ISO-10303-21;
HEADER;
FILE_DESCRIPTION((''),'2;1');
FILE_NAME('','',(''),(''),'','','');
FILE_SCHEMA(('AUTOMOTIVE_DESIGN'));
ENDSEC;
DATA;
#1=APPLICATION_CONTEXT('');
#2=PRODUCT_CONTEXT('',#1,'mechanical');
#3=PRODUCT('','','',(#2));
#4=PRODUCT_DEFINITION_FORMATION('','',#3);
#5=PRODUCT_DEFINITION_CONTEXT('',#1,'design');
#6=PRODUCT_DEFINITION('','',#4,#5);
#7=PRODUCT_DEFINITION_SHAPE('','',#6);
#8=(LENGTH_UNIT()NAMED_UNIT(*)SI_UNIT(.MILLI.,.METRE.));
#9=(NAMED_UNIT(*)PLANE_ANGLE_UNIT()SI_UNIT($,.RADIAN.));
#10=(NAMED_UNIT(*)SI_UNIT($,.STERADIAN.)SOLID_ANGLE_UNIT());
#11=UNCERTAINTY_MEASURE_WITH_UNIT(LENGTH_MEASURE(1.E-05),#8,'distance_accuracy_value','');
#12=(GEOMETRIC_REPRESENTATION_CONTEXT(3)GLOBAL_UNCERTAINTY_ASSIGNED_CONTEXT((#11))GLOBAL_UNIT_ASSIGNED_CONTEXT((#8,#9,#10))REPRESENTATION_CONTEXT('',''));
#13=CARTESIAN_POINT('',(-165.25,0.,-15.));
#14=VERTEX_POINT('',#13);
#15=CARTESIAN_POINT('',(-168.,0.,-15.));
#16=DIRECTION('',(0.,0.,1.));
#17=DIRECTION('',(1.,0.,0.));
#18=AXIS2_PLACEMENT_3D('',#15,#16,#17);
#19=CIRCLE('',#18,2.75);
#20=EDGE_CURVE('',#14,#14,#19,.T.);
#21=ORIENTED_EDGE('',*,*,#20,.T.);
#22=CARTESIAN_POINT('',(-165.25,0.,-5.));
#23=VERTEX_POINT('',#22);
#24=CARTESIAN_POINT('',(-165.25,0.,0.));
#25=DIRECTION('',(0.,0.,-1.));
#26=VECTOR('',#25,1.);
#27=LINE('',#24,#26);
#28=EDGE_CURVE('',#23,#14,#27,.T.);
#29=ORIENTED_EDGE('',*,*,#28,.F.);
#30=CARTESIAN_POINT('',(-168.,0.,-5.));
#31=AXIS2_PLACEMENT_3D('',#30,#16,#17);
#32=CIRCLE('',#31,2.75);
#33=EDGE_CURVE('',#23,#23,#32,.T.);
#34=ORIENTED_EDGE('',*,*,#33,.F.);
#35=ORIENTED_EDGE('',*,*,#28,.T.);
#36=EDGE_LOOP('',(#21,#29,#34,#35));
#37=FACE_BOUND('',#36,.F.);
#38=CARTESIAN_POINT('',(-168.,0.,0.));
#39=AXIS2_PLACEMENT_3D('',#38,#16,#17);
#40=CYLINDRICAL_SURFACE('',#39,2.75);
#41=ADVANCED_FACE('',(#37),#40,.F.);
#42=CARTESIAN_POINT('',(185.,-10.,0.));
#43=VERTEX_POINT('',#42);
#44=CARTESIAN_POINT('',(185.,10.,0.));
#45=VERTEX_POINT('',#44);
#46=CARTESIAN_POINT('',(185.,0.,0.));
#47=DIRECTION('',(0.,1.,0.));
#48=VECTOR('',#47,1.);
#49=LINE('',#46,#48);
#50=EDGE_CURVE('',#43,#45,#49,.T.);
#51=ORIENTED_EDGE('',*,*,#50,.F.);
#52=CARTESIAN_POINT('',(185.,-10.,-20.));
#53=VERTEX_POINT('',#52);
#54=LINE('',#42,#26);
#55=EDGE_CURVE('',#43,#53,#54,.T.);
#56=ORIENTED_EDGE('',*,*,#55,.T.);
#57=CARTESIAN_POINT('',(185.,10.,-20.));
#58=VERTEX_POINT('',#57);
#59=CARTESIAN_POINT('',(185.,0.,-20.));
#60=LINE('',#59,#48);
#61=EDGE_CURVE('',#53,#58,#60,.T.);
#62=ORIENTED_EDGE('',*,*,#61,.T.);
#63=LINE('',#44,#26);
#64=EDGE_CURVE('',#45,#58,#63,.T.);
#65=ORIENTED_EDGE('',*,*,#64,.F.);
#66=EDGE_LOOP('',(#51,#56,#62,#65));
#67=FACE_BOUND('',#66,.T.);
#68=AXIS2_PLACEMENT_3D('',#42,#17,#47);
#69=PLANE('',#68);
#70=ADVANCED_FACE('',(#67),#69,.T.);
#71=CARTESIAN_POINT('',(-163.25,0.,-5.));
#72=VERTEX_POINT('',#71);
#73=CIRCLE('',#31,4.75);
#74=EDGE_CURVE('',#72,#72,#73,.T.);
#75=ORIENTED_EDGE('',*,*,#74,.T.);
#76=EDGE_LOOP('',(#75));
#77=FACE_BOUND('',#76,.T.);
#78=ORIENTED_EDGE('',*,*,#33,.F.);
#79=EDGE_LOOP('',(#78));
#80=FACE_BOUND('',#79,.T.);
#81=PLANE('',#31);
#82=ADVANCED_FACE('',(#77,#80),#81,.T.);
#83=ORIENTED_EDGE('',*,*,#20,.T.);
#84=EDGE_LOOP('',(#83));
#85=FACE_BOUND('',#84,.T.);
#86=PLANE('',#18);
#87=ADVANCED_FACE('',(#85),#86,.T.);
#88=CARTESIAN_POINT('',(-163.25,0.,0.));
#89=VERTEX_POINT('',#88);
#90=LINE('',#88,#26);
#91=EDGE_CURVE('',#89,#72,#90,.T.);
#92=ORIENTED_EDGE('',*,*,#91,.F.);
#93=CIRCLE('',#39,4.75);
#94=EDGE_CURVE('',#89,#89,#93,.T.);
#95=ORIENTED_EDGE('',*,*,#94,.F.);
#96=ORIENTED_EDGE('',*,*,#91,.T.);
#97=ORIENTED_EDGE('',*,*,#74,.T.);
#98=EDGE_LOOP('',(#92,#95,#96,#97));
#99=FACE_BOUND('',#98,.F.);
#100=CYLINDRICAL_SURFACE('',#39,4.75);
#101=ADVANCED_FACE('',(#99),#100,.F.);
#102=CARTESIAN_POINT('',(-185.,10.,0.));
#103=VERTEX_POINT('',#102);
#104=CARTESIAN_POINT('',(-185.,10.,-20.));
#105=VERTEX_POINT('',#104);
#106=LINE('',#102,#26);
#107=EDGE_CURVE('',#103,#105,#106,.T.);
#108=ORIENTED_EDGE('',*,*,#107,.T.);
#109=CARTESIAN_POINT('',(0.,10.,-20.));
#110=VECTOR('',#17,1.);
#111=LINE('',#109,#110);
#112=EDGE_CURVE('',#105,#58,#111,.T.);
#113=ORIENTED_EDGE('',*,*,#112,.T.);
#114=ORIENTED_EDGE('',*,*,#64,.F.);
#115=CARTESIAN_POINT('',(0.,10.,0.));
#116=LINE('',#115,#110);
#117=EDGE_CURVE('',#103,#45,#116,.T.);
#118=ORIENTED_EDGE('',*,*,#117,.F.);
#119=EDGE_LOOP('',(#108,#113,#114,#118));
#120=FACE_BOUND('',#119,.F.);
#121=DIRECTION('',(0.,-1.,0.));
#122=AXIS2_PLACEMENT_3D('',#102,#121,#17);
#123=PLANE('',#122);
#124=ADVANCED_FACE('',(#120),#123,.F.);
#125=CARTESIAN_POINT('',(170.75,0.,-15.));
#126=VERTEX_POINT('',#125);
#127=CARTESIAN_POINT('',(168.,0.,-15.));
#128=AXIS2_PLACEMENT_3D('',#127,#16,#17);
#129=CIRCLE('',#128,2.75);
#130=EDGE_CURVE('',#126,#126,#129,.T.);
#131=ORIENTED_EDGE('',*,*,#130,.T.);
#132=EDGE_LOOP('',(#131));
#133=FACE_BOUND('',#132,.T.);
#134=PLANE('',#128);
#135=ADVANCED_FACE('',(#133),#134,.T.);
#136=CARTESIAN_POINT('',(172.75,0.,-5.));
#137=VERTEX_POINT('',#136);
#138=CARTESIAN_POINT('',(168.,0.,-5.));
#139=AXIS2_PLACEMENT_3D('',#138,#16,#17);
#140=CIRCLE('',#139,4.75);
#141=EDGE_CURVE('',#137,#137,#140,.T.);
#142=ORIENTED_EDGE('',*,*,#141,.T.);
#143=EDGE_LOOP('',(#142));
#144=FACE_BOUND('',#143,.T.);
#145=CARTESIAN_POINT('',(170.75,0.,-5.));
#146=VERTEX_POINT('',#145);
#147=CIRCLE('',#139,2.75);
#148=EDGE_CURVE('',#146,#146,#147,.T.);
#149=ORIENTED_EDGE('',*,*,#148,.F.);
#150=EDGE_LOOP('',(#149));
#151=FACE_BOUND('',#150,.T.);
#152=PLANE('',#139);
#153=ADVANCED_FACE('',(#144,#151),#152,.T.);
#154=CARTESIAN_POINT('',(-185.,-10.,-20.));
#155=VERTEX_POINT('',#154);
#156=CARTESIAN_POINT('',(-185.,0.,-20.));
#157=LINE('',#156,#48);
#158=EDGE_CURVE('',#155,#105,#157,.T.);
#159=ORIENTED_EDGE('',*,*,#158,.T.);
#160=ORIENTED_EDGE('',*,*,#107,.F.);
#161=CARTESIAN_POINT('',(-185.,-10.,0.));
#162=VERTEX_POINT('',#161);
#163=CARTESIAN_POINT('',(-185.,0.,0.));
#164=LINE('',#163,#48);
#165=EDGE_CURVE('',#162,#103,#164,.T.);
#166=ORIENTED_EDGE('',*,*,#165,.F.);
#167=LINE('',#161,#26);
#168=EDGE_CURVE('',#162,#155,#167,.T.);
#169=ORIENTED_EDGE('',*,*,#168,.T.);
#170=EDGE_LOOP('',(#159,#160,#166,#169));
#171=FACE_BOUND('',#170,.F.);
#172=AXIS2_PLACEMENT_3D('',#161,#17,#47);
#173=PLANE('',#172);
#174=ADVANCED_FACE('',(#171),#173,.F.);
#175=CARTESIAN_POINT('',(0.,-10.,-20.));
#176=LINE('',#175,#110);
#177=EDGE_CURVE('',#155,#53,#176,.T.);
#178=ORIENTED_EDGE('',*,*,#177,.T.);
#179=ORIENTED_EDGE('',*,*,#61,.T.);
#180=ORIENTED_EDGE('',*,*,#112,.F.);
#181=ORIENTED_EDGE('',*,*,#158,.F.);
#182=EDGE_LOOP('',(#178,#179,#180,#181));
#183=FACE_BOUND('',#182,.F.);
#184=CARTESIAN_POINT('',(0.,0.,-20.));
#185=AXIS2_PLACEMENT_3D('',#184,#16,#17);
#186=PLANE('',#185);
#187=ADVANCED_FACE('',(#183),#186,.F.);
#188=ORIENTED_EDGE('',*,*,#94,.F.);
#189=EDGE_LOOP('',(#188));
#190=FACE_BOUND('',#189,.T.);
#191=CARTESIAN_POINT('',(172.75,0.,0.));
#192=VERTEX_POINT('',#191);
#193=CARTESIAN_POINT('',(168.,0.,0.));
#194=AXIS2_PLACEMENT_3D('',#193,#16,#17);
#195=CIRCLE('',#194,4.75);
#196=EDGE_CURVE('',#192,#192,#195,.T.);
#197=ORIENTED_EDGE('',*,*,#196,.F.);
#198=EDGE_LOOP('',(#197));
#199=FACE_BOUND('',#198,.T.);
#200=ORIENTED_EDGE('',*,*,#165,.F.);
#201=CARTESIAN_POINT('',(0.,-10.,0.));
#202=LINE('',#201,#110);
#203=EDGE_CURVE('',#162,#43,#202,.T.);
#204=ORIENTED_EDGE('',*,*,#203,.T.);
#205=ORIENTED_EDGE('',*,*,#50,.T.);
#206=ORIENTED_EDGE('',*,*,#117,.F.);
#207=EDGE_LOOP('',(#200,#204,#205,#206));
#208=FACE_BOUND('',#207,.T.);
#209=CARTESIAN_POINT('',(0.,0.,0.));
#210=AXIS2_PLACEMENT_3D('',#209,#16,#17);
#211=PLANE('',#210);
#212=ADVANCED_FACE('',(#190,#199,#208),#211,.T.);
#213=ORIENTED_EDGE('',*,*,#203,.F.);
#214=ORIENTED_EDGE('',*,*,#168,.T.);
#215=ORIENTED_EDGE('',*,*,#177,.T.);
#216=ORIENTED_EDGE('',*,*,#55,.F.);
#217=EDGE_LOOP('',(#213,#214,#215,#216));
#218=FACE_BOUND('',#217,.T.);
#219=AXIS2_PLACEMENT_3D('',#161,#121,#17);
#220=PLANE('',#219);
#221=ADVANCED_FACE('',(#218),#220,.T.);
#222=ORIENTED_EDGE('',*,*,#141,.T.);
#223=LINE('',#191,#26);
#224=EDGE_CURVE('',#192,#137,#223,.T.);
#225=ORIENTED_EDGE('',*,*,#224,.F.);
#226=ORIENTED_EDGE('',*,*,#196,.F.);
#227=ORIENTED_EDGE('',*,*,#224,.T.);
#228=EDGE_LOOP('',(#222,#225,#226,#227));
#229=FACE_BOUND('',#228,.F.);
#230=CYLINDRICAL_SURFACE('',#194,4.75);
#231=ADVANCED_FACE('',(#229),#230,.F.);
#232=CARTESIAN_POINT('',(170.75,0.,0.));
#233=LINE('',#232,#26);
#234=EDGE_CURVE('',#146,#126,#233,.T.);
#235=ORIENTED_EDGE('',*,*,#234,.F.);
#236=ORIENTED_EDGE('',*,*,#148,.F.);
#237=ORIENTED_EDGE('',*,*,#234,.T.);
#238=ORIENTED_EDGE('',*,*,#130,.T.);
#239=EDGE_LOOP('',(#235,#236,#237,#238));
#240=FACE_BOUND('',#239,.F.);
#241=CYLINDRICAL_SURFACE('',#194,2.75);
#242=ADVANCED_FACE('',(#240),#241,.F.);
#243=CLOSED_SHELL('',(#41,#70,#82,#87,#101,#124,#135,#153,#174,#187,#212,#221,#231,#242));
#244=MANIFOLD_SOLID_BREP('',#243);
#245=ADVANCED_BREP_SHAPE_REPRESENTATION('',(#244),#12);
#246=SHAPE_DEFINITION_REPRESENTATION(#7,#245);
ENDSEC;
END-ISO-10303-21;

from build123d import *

# Parameters (mm, degrees)
SKETCH_W        = 370
SKETCH_H        = 20
PAD_DEPTH       = 20
SKETCH001_R     = 4.75
POCKET_DEPTH    = 5
SKETCH002_R     = 2.75
POCKET001_DEPTH = 15


with BuildPart() as part:
    # Sketch → Pad (new body)
    with BuildSketch(Plane.XY):
        Rectangle(SKETCH_W, SKETCH_H)
    extrude(amount=-PAD_DEPTH)

    # Sketch001 (on Face5 of Pad) → Pocket (cut)
    with BuildSketch(Plane.XY):
        with Locations((168, 0)):
            Circle(SKETCH001_R)
        with Locations((-168, 0)):
            Circle(SKETCH001_R)
    extrude(amount=-POCKET_DEPTH, mode=Mode.SUBTRACT)

    # Sketch002 (on Face4 of Pocket) → Pocket001 (cut)
    with BuildSketch(Plane.XY):
        with Locations((-168, 0)):
            Circle(SKETCH002_R)
        with Locations((168, 0)):
            Circle(SKETCH002_R)
    extrude(amount=-POCKET001_DEPTH, mode=Mode.SUBTRACT)


solid = part.part
